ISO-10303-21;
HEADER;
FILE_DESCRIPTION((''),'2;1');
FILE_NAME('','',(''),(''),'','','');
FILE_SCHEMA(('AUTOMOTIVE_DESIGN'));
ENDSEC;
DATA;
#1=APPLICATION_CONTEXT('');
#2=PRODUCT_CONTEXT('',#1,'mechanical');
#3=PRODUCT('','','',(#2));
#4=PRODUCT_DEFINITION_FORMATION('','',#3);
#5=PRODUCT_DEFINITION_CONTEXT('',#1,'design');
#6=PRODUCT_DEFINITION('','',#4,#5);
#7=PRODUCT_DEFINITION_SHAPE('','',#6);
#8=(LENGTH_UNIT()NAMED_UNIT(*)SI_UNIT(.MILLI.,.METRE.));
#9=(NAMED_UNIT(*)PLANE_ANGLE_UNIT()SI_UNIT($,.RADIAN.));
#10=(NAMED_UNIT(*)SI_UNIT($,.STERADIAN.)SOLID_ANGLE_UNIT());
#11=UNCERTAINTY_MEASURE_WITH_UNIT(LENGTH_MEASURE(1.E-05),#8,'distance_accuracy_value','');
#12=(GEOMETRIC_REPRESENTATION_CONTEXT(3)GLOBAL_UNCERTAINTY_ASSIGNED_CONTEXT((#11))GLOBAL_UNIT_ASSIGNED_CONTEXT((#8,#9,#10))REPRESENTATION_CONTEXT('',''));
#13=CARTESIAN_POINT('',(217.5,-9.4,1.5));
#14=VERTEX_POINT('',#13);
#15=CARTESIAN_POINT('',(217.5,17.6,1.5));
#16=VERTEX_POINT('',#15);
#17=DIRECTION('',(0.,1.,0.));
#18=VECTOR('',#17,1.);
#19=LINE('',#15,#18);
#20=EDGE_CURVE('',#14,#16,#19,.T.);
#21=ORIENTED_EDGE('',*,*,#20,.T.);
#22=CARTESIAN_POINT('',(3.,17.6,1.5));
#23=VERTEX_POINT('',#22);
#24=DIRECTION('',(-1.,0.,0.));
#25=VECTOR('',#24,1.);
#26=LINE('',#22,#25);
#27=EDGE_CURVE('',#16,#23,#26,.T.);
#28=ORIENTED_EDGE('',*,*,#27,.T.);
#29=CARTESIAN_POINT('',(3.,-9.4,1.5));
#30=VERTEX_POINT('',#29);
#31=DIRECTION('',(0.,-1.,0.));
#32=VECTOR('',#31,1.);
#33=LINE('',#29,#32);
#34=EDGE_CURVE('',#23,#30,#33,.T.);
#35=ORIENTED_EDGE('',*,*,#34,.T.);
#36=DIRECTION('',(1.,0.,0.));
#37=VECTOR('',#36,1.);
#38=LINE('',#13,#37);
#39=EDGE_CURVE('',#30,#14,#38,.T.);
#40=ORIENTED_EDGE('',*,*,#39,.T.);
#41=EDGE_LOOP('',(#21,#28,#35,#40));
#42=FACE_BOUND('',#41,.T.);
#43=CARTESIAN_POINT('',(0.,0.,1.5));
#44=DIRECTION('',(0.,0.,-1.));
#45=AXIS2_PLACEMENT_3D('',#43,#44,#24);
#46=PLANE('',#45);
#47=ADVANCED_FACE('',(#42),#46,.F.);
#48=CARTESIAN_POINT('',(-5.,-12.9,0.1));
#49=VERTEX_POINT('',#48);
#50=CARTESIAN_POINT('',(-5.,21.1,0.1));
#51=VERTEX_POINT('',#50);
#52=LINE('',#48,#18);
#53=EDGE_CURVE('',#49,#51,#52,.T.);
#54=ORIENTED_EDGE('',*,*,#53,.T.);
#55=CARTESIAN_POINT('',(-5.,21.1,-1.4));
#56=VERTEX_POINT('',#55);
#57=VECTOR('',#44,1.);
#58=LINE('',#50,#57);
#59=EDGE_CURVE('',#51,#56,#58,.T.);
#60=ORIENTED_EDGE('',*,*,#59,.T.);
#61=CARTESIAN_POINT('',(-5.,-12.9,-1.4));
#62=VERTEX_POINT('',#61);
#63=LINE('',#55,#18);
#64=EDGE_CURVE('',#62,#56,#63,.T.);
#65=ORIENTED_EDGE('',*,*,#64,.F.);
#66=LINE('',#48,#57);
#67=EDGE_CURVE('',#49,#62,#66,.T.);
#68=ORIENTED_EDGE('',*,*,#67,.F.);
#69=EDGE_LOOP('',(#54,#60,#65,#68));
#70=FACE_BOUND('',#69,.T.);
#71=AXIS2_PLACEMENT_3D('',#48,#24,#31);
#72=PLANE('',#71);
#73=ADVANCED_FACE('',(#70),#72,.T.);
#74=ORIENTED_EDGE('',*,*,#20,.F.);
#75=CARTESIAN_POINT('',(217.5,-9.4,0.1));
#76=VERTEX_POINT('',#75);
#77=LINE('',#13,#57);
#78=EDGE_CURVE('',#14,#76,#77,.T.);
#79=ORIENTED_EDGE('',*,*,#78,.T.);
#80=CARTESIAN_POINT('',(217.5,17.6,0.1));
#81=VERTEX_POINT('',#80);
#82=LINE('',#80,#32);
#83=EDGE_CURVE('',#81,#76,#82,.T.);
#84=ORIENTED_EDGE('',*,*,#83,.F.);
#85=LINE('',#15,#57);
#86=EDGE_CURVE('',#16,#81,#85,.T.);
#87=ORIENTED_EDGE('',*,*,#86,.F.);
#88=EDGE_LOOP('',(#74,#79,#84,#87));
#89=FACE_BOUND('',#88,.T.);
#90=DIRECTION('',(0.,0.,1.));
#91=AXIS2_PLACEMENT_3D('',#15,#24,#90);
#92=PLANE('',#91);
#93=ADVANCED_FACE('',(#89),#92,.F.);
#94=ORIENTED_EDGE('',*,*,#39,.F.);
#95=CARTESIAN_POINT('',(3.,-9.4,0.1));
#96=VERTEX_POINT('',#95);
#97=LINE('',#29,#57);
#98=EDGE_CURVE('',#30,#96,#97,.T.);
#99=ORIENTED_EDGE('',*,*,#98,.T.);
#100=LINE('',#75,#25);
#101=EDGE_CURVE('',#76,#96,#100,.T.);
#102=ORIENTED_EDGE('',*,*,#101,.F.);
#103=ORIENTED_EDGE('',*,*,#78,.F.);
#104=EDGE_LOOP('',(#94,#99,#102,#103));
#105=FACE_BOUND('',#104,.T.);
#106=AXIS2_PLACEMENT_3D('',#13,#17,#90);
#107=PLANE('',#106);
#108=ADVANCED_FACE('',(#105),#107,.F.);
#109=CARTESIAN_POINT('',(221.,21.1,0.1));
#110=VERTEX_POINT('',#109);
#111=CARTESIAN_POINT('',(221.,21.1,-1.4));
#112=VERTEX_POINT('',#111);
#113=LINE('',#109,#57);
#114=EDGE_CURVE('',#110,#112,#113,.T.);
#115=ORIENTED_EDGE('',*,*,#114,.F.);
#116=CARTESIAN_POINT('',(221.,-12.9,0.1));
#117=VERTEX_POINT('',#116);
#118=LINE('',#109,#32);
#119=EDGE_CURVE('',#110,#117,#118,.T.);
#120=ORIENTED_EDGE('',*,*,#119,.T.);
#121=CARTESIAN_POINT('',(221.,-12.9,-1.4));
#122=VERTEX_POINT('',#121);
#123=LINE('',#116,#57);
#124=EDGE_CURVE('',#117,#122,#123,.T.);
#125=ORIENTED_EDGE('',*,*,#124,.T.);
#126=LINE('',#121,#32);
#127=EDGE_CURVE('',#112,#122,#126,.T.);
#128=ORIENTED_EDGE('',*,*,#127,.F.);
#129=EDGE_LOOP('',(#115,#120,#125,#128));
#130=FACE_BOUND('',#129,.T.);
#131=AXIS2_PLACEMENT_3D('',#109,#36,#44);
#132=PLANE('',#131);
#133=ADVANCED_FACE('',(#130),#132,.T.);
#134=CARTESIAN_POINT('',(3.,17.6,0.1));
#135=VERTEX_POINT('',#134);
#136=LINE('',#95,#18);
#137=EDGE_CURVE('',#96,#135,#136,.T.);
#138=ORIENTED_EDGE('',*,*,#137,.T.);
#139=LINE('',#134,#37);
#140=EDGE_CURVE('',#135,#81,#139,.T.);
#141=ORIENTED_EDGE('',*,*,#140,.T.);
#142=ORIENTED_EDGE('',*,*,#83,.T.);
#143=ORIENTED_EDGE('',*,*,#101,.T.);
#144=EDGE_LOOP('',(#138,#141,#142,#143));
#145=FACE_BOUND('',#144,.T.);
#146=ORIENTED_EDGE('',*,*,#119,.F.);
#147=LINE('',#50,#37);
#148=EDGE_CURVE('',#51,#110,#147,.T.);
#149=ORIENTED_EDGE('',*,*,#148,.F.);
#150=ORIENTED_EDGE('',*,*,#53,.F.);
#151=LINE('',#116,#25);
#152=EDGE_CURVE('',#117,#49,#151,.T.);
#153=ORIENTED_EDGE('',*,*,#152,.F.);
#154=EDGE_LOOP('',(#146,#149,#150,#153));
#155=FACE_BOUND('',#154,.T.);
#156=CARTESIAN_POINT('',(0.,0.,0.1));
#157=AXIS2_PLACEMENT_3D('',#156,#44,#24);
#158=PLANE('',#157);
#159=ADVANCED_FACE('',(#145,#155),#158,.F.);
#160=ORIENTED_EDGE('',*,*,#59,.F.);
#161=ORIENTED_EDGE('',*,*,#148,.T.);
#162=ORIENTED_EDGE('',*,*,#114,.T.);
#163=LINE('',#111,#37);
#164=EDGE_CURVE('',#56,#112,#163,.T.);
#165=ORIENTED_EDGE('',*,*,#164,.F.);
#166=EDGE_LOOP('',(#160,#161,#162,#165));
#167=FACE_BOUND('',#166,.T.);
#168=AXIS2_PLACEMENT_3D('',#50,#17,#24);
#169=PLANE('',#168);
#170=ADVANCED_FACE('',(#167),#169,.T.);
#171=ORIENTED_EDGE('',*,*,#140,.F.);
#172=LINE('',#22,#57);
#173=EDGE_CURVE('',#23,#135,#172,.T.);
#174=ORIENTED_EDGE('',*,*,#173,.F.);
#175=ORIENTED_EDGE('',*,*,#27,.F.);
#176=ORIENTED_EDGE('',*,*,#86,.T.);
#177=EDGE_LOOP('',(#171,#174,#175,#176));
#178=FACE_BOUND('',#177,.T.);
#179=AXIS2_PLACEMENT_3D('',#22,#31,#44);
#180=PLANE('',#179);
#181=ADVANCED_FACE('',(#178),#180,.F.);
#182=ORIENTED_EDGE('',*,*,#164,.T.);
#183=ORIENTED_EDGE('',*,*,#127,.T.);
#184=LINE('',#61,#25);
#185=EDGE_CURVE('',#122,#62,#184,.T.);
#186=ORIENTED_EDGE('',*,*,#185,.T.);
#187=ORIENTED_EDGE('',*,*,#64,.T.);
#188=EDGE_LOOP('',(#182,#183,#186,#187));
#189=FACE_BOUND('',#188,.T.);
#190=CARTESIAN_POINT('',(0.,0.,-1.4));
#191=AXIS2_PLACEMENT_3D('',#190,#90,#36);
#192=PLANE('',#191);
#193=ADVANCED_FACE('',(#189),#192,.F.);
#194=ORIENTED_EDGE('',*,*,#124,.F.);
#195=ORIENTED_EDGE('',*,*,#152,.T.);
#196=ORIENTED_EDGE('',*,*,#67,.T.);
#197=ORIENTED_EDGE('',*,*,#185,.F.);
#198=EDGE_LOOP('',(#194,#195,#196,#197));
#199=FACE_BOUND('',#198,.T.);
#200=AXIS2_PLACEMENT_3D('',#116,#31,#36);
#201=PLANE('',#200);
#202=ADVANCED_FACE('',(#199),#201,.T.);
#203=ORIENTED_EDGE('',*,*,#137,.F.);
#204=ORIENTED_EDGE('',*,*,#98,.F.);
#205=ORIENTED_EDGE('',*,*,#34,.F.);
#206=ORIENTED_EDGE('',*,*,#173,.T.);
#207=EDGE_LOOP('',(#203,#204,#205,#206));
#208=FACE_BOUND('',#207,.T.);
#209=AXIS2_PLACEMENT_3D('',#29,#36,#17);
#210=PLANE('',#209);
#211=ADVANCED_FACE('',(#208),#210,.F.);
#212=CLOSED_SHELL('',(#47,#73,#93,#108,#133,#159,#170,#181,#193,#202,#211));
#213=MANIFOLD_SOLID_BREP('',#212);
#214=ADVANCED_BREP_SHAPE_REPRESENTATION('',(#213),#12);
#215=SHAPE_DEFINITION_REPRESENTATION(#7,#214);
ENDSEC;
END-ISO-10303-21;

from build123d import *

# Parameters (mm, degrees)
SKETCH_1_W      = 226
SKETCH_1_H      = 34
SKETCH_1_W_2    = 214.5
SKETCH_1_H_2    = 27
EXTRUDE_1_DEPTH = 0.1
SKETCH_2_W      = 226
SKETCH_2_H      = 34
EXTRUDE_2_DEPTH = 1.4
SKETCH_3_W      = 214.5
SKETCH_3_H      = 27
EXTRUDE_3_DEPTH = 1.5


with BuildPart() as part:
    # Эскиз1 → Бобышка-Вытянуть1 (new body)
    with BuildSketch(Plane.XY):
        with Locations((108, 4.1)):
            Rectangle(SKETCH_1_W, SKETCH_1_H)
        with Locations((110.25, 4.1)):
            Rectangle(SKETCH_1_W_2, SKETCH_1_H_2, mode=Mode.SUBTRACT)
    extrude(amount=EXTRUDE_1_DEPTH)

    # Эскиз2 → Бобышка-Вытянуть2 (add)
    with BuildSketch(Plane(origin=(0, 0, 0), x_dir=(-1, 0, 0), z_dir=(0, 0, -1))):
        with Locations((-108, 4.1)):
            Rectangle(SKETCH_2_W, SKETCH_2_H)
    extrude(amount=EXTRUDE_2_DEPTH)

    # Эскиз3 → Бобышка-Вытянуть3 (add)
    with BuildSketch(Plane.XY):
        with Locations((110.25, 4.1)):
            Rectangle(SKETCH_3_W, SKETCH_3_H)
    extrude(amount=EXTRUDE_3_DEPTH)


solid = part.part
